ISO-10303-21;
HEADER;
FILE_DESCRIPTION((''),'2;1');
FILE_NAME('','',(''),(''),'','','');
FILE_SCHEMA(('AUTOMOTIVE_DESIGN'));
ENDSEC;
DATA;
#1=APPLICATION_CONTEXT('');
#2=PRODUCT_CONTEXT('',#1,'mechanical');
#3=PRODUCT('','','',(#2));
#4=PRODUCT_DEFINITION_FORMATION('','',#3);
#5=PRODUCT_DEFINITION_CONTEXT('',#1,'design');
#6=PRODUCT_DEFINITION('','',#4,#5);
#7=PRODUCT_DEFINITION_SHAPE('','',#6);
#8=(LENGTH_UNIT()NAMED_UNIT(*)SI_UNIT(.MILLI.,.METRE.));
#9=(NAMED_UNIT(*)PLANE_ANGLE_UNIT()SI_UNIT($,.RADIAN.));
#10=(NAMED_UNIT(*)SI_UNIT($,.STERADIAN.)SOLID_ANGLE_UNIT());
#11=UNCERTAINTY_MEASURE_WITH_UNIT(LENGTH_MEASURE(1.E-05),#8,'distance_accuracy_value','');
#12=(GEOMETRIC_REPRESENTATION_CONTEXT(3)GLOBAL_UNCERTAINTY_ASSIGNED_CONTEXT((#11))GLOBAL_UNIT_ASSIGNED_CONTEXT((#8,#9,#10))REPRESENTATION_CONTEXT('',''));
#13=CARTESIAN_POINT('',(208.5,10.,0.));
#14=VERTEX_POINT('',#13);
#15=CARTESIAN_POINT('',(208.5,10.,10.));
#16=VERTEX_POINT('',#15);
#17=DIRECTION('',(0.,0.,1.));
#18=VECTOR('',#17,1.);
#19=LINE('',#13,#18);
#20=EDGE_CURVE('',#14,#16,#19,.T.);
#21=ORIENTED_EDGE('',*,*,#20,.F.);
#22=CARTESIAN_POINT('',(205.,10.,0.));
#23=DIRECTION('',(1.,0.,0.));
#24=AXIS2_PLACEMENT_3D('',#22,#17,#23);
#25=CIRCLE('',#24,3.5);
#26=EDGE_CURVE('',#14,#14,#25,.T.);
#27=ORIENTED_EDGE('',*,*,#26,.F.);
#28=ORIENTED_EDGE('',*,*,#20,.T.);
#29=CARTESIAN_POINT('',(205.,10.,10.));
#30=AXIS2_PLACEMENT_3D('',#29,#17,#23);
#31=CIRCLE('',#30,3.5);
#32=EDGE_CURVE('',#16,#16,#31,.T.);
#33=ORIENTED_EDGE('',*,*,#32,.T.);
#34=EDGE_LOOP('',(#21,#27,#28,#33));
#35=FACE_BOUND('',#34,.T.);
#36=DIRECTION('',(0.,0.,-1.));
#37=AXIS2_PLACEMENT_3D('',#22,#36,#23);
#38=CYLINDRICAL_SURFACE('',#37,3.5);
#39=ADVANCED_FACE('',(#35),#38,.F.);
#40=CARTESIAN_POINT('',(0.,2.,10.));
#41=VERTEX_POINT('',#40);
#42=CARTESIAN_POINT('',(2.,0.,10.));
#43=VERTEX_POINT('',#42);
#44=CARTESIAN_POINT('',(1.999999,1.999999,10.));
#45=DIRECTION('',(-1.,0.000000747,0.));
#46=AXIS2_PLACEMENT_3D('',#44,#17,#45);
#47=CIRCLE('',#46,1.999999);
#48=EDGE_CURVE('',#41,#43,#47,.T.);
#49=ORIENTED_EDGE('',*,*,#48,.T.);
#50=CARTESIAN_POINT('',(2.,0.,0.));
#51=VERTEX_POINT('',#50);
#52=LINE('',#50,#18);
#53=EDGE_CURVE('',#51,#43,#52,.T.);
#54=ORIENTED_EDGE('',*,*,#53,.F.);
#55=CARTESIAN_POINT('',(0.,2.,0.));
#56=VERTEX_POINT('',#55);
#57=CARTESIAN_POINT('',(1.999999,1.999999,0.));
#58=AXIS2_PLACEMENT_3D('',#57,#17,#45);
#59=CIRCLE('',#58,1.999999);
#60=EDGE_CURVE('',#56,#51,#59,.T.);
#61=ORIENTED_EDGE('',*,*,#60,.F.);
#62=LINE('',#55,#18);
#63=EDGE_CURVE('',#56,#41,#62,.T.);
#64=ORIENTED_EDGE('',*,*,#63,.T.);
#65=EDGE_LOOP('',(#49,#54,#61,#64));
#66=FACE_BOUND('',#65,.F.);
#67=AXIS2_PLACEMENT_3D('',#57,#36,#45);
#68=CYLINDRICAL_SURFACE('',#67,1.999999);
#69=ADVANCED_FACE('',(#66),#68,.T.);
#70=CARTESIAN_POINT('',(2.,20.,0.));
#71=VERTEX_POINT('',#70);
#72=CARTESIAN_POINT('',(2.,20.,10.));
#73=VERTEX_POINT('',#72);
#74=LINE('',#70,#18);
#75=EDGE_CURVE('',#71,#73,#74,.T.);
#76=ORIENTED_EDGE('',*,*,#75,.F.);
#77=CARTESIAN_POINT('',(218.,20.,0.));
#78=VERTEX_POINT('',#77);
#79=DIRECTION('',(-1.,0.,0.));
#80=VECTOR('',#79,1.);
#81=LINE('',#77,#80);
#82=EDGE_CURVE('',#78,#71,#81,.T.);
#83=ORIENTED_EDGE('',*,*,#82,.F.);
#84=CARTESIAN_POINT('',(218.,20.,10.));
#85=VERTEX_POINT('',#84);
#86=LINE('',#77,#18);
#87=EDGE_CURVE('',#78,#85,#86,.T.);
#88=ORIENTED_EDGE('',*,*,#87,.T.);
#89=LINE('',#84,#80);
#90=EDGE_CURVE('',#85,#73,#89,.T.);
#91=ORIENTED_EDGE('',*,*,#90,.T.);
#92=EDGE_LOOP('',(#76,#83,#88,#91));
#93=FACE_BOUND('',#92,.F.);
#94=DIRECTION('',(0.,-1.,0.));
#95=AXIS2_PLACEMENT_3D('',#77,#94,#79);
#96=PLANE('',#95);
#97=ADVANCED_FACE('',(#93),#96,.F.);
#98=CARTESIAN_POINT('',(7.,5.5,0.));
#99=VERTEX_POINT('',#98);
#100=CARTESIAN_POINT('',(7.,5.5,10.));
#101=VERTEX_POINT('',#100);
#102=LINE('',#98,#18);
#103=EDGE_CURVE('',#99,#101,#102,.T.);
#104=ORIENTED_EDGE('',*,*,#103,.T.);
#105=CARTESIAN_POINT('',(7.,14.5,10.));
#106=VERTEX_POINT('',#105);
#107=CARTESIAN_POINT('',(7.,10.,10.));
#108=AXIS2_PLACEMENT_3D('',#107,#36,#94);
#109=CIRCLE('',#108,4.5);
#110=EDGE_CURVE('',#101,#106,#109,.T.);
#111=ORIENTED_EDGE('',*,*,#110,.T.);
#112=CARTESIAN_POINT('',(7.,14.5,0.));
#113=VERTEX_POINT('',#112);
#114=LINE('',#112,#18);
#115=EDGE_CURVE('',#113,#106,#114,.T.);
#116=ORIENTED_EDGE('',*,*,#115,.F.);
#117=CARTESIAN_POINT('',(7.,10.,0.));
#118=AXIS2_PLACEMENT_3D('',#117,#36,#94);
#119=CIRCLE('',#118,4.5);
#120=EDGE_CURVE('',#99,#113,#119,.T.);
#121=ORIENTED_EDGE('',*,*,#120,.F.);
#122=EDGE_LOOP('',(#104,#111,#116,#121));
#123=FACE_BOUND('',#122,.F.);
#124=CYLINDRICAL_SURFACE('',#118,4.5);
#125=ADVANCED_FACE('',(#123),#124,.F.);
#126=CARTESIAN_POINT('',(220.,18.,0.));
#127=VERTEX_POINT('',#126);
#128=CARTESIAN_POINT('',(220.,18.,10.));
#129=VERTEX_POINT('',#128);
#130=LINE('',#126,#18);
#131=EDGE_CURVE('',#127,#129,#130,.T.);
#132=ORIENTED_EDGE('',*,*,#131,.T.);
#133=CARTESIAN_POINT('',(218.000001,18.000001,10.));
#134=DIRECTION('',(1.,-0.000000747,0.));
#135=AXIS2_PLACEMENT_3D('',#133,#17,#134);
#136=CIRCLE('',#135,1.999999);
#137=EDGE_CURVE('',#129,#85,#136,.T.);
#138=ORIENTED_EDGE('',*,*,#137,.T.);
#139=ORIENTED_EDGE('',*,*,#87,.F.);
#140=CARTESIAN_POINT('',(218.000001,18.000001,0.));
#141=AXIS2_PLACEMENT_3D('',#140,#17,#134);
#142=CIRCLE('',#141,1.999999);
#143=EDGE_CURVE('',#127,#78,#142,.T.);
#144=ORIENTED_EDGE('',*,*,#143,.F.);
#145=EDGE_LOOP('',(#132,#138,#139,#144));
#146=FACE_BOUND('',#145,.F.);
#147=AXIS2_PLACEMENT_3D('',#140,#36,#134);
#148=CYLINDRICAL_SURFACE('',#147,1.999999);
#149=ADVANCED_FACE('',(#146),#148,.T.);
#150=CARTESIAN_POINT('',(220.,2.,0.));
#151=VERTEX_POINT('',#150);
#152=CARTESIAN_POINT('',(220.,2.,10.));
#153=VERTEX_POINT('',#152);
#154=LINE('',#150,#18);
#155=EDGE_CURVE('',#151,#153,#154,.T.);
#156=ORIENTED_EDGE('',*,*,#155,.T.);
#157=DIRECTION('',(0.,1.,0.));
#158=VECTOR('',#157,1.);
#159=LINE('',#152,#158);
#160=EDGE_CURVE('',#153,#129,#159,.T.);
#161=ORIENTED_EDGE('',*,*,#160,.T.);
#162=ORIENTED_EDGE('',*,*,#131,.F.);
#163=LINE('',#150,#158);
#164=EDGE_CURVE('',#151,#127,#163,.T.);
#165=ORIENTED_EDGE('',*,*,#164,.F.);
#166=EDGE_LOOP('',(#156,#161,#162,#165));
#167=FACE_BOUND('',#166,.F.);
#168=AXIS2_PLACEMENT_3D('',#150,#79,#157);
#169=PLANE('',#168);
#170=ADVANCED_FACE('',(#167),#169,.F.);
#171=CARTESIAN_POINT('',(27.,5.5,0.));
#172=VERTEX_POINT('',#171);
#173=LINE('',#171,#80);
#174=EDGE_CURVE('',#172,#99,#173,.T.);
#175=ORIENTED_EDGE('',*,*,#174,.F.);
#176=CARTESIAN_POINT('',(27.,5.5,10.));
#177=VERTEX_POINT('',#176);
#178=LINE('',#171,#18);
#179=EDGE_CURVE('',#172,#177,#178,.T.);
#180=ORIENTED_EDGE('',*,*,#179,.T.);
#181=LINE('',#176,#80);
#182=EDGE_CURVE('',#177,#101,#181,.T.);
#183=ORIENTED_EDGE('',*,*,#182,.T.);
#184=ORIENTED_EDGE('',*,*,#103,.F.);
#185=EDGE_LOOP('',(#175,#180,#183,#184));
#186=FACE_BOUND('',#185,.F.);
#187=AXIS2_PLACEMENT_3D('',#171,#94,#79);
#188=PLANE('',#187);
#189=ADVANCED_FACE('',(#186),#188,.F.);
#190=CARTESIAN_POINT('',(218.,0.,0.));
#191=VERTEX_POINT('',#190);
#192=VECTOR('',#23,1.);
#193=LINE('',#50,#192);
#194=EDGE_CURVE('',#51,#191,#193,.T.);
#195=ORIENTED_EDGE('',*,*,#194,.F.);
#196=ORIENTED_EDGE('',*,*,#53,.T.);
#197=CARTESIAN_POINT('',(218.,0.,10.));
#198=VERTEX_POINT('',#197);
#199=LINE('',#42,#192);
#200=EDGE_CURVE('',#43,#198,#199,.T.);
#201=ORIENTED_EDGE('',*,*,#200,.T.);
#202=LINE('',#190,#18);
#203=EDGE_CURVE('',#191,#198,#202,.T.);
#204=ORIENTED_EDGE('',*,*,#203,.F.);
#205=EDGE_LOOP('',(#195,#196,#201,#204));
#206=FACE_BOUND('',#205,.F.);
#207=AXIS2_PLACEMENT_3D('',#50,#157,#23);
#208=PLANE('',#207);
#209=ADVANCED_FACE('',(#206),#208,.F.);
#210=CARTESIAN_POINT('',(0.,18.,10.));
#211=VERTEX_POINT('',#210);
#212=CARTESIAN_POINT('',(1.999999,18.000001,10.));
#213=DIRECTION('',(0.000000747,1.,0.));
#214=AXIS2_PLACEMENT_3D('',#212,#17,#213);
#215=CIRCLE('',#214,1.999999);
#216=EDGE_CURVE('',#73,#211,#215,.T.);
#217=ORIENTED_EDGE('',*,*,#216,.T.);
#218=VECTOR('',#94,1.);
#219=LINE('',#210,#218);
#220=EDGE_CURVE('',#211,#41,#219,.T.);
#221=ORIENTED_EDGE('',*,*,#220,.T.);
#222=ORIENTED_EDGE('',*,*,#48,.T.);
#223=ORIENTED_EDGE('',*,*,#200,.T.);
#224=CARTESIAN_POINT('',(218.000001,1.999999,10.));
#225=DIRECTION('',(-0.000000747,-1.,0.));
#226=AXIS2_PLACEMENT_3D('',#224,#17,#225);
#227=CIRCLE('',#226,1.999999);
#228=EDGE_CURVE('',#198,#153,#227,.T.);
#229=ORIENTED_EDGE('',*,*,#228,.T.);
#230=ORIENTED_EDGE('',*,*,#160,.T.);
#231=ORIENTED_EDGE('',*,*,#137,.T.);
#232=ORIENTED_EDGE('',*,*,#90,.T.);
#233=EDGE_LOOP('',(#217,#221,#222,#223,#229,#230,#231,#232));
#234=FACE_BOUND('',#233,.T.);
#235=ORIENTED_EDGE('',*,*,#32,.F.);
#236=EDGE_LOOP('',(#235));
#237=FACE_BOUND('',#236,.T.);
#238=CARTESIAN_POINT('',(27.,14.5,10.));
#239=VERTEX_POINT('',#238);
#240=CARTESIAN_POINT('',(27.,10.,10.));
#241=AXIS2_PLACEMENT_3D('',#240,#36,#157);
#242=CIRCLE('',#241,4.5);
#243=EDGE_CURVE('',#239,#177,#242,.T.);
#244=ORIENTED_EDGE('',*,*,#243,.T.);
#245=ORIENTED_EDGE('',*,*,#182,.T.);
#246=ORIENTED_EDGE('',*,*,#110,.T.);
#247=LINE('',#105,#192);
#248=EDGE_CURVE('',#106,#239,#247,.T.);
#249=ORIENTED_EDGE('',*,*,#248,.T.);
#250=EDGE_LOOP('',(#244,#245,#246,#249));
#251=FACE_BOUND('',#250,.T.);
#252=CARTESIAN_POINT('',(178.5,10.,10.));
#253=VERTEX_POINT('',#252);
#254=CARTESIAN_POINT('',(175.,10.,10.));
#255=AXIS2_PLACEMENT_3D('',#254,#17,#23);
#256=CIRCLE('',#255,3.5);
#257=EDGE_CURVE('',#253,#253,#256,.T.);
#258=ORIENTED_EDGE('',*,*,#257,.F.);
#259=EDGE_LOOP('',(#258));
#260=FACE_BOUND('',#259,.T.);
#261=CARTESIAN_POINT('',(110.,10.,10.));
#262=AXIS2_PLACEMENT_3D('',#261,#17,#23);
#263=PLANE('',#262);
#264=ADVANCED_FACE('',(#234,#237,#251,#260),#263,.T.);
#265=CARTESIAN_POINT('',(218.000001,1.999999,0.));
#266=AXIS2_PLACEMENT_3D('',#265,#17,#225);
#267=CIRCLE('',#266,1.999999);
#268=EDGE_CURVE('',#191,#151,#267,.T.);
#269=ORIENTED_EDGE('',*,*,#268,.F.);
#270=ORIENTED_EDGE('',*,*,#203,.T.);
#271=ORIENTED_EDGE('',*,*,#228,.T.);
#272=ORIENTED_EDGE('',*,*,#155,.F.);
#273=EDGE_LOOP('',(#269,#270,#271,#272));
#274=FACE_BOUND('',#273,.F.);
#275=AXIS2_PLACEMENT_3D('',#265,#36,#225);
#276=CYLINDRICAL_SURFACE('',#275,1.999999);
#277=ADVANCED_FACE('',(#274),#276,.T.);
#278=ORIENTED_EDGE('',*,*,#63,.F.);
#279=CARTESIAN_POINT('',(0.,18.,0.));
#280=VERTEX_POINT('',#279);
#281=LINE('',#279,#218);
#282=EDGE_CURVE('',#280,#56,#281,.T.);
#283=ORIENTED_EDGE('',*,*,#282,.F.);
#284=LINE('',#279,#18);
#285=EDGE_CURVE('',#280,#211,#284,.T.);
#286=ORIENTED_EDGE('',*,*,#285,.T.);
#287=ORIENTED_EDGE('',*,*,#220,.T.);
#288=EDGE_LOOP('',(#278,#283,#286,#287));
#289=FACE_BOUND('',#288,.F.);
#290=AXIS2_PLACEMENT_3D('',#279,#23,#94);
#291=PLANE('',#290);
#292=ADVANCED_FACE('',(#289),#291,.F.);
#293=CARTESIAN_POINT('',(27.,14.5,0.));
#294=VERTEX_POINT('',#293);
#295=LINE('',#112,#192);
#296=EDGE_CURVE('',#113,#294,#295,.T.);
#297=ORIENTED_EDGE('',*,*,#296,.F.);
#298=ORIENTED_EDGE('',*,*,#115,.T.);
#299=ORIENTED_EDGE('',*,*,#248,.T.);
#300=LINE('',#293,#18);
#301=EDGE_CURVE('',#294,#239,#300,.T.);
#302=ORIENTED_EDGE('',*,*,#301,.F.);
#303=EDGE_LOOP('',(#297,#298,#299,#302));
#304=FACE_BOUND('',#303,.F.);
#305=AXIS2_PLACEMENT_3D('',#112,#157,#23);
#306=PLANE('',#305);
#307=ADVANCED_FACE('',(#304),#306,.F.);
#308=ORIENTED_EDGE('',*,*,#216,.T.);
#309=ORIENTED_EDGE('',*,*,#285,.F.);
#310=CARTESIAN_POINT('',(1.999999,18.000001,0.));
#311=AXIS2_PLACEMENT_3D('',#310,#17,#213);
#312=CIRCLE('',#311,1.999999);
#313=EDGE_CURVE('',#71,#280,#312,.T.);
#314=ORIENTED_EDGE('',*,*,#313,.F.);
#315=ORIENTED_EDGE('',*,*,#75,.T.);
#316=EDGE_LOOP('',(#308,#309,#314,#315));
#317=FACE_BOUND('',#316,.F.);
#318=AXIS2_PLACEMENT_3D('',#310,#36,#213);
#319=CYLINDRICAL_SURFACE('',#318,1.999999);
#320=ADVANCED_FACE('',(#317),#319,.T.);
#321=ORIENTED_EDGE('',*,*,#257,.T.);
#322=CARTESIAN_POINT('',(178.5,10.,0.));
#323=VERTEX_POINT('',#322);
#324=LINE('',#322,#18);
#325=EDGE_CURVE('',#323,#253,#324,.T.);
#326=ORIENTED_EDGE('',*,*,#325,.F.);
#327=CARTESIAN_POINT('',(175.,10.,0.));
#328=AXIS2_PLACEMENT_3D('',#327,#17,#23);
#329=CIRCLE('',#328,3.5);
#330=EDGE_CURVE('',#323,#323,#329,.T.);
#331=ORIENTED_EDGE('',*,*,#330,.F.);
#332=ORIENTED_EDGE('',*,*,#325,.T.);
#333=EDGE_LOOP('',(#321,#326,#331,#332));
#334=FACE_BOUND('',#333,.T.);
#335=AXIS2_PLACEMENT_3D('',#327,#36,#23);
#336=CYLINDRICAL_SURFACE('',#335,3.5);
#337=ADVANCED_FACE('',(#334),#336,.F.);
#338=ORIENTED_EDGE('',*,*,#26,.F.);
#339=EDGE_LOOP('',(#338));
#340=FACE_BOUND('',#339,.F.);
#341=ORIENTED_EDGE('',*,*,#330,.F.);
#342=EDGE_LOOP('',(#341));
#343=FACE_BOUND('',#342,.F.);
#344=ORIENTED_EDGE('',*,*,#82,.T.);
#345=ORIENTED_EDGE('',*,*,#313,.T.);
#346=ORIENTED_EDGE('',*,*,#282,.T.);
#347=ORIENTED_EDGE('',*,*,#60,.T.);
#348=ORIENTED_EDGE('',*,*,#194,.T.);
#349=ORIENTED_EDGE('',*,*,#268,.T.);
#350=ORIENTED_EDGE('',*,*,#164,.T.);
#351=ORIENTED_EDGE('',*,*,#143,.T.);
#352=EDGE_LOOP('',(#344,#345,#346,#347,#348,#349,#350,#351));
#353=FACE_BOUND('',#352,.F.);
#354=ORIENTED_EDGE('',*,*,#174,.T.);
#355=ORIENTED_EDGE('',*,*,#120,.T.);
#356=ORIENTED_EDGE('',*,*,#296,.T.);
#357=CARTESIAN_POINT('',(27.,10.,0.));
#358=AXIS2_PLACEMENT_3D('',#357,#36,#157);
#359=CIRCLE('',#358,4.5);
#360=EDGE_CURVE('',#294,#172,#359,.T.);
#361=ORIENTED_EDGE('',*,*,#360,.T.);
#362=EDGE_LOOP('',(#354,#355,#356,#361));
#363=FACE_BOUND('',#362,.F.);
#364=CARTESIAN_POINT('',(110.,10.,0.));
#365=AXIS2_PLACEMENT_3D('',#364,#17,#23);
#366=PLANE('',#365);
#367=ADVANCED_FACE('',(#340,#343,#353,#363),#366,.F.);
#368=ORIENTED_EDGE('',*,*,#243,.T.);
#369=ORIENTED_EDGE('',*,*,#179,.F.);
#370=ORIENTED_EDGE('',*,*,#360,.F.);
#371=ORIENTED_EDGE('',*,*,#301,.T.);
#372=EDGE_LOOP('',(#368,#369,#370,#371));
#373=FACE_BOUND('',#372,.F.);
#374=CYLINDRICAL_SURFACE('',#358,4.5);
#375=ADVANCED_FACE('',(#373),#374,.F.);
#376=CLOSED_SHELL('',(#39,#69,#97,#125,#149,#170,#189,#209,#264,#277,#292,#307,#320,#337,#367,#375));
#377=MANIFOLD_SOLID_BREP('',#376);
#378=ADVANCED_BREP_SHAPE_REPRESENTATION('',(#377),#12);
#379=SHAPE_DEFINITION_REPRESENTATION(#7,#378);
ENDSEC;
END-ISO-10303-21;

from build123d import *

# Parameters (mm, degrees)
F0_R     = 3.5
F1_DEPTH = 10


with BuildPart() as f1:
    # F0 (on Top) → F1 (new body)
    with BuildSketch(Plane.XY):
        with BuildLine():
            ThreePointArc((0, 2), (0.585786, 0.585786), (2, 0))
            Line((2, 0), (218, 0))
            ThreePointArc((218, 0), (219.414214, 0.585786), (220, 2))
            Line((220, 2), (220, 18))
            ThreePointArc((220, 18), (219.414214, 19.414214), (218, 20))
            Line((218, 20), (2, 20))
            ThreePointArc((2, 20), (0.585786, 19.414214), (0, 18))
            Line((0, 18), (0, 2))
        make_face()
        with BuildLine():
            ThreePointArc((7, 5.5), (2.5, 10), (7, 14.5))
            Line((7, 14.5), (27, 14.5))
            ThreePointArc((27, 14.5), (31.5, 10), (27, 5.5))
            Line((27, 5.5), (7, 5.5))
        make_face(mode=Mode.SUBTRACT)
        with Locations((175, 10)):
            Circle(F0_R, mode=Mode.SUBTRACT)
        with Locations((205, 10)):
            Circle(F0_R, mode=Mode.SUBTRACT)
    extrude(amount=F1_DEPTH)


solid = f1.part
